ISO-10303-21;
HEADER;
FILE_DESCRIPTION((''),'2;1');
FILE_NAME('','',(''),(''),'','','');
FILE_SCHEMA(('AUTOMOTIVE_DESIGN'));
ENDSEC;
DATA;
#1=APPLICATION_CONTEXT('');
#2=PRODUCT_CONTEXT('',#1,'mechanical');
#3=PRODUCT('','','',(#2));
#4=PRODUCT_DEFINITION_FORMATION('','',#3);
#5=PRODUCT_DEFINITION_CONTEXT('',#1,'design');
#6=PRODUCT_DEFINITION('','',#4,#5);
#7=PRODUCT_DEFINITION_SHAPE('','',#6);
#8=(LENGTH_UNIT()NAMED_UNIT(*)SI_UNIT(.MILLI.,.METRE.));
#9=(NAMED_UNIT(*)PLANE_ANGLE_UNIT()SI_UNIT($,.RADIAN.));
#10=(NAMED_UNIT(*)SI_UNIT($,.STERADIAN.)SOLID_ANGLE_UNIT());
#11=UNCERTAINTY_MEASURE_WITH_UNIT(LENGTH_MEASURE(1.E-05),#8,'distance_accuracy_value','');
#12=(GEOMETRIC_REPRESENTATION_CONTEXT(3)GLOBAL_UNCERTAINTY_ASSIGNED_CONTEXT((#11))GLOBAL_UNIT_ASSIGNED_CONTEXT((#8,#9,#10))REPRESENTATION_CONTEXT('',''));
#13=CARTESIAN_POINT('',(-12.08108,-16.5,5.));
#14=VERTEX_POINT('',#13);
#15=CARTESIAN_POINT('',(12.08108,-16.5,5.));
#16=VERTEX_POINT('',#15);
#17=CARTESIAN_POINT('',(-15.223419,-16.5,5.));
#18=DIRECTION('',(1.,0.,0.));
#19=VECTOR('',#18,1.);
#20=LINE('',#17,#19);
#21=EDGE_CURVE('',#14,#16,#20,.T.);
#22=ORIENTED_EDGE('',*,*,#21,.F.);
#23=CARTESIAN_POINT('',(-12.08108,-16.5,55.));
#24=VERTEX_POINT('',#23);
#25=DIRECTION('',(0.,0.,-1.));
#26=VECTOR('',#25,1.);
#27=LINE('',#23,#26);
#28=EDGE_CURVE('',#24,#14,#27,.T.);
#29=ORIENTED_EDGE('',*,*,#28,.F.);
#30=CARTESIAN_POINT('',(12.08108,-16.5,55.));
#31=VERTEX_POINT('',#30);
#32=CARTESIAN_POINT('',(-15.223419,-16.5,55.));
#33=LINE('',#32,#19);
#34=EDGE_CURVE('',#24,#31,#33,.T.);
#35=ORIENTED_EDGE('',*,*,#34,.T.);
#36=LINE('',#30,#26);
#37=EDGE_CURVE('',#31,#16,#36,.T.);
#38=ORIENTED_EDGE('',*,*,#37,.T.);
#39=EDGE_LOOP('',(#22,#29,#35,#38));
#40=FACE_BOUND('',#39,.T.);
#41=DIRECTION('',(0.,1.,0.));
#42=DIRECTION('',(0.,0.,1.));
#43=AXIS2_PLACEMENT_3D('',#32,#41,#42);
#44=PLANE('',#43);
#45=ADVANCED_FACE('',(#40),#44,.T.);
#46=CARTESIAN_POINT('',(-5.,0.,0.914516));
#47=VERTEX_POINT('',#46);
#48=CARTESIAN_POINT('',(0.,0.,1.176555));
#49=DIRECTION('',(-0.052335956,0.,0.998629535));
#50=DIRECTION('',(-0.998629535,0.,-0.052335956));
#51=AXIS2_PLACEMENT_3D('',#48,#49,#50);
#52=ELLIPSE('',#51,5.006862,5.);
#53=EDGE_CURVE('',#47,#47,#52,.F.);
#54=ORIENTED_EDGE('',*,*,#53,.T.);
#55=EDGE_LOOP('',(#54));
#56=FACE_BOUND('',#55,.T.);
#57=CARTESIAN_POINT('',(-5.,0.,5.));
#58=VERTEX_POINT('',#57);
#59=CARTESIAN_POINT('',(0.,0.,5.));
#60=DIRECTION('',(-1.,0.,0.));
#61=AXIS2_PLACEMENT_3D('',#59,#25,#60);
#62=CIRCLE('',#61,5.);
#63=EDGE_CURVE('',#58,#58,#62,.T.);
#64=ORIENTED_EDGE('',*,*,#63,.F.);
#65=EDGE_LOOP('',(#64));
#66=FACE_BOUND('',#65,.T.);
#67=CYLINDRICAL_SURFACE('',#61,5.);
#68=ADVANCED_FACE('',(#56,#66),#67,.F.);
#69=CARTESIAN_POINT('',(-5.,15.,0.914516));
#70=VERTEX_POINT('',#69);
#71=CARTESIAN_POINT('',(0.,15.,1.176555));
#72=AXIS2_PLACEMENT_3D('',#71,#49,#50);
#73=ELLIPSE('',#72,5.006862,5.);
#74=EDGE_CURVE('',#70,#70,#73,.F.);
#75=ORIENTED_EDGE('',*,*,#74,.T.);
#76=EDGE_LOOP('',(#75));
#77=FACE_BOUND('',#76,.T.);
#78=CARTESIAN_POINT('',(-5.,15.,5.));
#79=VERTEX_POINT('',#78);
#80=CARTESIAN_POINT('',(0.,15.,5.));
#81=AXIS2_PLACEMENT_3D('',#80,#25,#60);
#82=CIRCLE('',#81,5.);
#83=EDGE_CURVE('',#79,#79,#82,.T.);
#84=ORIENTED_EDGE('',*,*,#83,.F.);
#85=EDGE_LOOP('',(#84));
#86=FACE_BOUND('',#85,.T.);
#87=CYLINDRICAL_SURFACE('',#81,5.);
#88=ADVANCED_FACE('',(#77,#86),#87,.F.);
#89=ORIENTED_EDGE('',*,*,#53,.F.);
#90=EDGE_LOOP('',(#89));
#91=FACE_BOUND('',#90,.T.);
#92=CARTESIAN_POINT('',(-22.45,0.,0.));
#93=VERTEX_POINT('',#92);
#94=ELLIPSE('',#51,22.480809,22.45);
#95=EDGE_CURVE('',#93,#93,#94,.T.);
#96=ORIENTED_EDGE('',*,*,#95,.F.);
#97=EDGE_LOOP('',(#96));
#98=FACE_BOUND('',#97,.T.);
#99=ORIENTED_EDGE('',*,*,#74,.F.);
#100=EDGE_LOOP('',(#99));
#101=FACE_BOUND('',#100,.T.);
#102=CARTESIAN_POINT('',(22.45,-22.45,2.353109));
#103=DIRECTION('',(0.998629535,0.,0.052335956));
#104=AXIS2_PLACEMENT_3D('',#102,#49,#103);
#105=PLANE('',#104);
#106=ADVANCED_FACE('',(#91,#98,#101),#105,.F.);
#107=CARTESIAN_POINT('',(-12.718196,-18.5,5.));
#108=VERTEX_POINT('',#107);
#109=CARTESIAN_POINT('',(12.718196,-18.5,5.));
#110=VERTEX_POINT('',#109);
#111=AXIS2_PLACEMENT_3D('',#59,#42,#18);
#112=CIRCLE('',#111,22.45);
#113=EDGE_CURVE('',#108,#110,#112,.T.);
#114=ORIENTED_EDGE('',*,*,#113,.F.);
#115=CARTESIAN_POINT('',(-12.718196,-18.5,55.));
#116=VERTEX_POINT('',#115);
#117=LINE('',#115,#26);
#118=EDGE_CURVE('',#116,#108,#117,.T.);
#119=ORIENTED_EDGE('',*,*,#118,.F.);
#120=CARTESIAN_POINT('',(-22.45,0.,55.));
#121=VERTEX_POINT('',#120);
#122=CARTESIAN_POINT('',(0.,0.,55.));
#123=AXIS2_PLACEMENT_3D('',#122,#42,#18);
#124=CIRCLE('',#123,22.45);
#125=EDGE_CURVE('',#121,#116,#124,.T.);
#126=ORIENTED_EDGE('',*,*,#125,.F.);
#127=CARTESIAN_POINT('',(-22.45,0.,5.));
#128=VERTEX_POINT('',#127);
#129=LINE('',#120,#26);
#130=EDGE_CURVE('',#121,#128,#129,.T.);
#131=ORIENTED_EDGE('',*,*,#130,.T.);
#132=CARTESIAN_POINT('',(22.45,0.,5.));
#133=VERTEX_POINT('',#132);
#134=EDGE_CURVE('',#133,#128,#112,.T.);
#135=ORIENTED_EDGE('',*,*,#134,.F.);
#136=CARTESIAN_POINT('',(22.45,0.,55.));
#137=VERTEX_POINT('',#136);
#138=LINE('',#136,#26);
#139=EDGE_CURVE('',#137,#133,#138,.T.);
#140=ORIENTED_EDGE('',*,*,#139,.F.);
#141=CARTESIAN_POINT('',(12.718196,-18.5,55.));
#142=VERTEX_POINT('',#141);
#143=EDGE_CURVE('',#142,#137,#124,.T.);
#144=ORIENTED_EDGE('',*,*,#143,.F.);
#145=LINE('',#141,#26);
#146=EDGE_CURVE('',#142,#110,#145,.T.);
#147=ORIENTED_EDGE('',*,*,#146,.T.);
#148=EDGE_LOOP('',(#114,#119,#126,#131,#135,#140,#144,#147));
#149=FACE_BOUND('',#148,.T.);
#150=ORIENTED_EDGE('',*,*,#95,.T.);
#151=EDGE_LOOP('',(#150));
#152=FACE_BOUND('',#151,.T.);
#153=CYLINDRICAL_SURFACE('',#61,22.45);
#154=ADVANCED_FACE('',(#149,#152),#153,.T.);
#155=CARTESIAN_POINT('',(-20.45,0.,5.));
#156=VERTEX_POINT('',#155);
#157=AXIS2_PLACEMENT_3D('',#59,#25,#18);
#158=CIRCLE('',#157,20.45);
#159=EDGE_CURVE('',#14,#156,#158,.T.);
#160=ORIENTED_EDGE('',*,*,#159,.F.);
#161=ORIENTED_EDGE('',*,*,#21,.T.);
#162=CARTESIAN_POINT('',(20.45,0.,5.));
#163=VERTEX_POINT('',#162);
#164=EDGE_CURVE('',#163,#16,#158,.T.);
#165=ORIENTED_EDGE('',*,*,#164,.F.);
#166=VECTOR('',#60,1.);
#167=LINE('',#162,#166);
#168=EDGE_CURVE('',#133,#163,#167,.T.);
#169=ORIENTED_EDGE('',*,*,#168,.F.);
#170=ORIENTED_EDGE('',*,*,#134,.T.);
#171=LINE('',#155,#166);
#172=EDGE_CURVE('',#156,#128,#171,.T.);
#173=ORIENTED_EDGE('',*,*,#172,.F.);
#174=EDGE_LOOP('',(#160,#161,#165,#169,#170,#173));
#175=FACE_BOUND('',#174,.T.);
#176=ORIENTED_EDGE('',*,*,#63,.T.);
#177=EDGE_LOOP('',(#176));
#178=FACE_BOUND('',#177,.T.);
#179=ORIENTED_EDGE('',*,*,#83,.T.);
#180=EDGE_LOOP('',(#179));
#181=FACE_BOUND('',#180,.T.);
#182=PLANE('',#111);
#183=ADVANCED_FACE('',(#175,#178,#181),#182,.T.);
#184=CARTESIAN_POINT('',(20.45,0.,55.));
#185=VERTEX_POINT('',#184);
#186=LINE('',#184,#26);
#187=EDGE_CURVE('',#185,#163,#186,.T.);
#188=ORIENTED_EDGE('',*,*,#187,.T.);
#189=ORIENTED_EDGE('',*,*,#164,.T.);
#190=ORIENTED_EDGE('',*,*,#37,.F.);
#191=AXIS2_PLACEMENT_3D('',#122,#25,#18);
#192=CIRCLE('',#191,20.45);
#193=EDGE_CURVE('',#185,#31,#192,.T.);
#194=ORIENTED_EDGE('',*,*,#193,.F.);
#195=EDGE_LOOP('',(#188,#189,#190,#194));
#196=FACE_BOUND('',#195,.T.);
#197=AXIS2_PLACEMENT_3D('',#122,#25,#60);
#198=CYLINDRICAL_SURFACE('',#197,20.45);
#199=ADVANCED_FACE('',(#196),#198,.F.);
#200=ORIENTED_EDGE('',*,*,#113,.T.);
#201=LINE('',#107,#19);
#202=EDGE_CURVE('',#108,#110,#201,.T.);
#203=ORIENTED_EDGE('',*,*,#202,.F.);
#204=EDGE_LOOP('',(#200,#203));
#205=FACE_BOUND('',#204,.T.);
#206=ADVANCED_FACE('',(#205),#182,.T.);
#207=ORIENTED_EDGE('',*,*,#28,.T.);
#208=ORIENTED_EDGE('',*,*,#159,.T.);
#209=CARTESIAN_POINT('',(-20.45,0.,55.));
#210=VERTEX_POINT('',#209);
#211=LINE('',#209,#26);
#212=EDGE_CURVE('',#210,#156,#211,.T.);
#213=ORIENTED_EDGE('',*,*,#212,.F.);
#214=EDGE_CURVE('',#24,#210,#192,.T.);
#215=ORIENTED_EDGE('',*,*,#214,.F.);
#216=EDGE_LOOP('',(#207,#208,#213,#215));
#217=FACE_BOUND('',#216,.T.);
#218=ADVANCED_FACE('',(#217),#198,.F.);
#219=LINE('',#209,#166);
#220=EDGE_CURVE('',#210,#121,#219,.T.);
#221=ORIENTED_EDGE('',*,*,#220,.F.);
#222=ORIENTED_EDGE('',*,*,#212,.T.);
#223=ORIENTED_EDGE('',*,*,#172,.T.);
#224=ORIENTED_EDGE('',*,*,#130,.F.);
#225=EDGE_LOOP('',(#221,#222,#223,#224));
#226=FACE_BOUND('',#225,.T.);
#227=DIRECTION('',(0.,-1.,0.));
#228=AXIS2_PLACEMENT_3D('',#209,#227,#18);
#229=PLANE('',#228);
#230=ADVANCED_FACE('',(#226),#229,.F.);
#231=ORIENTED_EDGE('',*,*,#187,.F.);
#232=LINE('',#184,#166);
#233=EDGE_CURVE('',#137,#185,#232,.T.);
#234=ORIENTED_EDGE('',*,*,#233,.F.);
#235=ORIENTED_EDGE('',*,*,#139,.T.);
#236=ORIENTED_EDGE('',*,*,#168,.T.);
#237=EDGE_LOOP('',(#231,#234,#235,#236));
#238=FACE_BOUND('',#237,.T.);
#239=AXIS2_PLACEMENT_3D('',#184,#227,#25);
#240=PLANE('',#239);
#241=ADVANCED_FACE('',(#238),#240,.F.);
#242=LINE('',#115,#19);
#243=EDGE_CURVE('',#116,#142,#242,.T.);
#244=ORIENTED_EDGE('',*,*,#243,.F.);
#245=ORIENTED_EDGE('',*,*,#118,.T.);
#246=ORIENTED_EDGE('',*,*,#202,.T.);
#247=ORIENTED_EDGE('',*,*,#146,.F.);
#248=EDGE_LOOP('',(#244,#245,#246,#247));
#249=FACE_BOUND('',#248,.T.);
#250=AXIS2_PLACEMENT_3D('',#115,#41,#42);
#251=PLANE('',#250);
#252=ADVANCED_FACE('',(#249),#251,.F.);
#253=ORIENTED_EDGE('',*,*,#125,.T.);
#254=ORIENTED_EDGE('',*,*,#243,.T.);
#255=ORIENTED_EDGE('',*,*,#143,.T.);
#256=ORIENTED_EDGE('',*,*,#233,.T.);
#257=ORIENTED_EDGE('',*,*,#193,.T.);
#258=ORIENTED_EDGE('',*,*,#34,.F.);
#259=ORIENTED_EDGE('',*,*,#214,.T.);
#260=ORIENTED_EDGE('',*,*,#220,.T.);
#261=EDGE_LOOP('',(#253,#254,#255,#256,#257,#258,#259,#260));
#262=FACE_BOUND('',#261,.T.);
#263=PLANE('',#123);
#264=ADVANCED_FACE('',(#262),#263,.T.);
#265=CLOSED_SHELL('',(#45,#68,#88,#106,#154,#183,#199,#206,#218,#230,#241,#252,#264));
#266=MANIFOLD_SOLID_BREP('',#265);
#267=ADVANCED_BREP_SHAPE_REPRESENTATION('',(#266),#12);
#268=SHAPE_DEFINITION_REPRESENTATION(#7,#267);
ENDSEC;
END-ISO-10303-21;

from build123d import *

# Parameters (mm, degrees)
SKETCH1_R               = 22.45
BOSS_EXTRUDE1_DEPTH     = 5
SKETCH2_R               = 5
CUT_EXTRUDE1_DEPTH      = 5
BOSS_EXTRUDE2_DEPTH     = 50
BOSS_EXTRUDE5_DEPTH     = 50
CUT_EXTRUDE3_DEPTH      = 64.505944604
CUT_EXTRUDE3_DEPTH_BACK = 64.505944604


with BuildPart() as part:
    # Sketch1 → Boss-Extrude1 (new body)
    with BuildSketch(Plane.XY):
        Circle(SKETCH1_R)
    extrude(amount=BOSS_EXTRUDE1_DEPTH)

    # Sketch2 → Cut-Extrude1 (cut)
    with BuildSketch(Plane(origin=(0, 0, 0), x_dir=(-1, 0, 0), z_dir=(0, 0, -1))):
        Circle(SKETCH2_R)
        with Locations((0, 15)):
            Circle(SKETCH2_R)
    extrude(amount=-CUT_EXTRUDE1_DEPTH, mode=Mode.SUBTRACT)

    # Sketch3 → Boss-Extrude2 (add)
    with BuildSketch(Plane.XY.offset(5)):
        with BuildLine():
            Line((-12.718195627, -18.5), (12.718195627, -18.5))
            ThreePointArc((12.718195627, -18.5), (14.006550731, -17.544772344), (15.223419458, -16.5))
            Line((15.223419458, -16.5), (-15.223419458, -16.5))
            ThreePointArc((-15.223419458, -16.5), (-14.006550731, -17.544772344), (-12.718195627, -18.5))
        make_face()
    extrude(amount=BOSS_EXTRUDE2_DEPTH)

    # Sketch5 → Boss-Extrude5 (add)
    with BuildSketch(Plane.XY.offset(5)):
        with BuildLine():
            Line((-15.223419458, -16.5), (-12.08108025, -16.5))
            ThreePointArc((-12.08108025, -16.5), (-12.994947259, -15.790308602), (-13.867212825, -15.030066815))
            ThreePointArc((-13.867212825, -15.030066815), (-18.732151535, -8.204206169), (-20.45, 0))
            Line((-20.45, 0), (-22.45, 0))
            ThreePointArc((-22.45, 0), (-20.564146795, -9.006573521), (-15.223419458, -16.5))
        make_face()
        with BuildLine():
            Line((20.45, 0), (22.45, 0))
            ThreePointArc((22.45, 0), (20.564146795, -9.006573521), (15.223419458, -16.5))
            Line((15.223419458, -16.5), (12.08108025, -16.5))
            ThreePointArc((12.08108025, -16.5), (12.994947259, -15.790308602), (13.867212825, -15.030066815))
            ThreePointArc((13.867212825, -15.030066815), (18.732151535, -8.204206169), (20.45, 0))
        make_face()
    extrude(amount=BOSS_EXTRUDE5_DEPTH)

    # Sketch6 → Cut-Extrude3 (cut, two sides: drawn at the far end of the back side and taken through both)
    with BuildSketch(Plane(origin=(0, 0, 0), x_dir=(1, 0, 0), z_dir=(0, 1, 0)).offset(-CUT_EXTRUDE3_DEPTH_BACK)):
        Polygon((-22.45, 0), (22.45, 0), (22.45, -2.35310929), align=None)
    extrude(amount=CUT_EXTRUDE3_DEPTH + CUT_EXTRUDE3_DEPTH_BACK, mode=Mode.SUBTRACT)


solid = part.part
